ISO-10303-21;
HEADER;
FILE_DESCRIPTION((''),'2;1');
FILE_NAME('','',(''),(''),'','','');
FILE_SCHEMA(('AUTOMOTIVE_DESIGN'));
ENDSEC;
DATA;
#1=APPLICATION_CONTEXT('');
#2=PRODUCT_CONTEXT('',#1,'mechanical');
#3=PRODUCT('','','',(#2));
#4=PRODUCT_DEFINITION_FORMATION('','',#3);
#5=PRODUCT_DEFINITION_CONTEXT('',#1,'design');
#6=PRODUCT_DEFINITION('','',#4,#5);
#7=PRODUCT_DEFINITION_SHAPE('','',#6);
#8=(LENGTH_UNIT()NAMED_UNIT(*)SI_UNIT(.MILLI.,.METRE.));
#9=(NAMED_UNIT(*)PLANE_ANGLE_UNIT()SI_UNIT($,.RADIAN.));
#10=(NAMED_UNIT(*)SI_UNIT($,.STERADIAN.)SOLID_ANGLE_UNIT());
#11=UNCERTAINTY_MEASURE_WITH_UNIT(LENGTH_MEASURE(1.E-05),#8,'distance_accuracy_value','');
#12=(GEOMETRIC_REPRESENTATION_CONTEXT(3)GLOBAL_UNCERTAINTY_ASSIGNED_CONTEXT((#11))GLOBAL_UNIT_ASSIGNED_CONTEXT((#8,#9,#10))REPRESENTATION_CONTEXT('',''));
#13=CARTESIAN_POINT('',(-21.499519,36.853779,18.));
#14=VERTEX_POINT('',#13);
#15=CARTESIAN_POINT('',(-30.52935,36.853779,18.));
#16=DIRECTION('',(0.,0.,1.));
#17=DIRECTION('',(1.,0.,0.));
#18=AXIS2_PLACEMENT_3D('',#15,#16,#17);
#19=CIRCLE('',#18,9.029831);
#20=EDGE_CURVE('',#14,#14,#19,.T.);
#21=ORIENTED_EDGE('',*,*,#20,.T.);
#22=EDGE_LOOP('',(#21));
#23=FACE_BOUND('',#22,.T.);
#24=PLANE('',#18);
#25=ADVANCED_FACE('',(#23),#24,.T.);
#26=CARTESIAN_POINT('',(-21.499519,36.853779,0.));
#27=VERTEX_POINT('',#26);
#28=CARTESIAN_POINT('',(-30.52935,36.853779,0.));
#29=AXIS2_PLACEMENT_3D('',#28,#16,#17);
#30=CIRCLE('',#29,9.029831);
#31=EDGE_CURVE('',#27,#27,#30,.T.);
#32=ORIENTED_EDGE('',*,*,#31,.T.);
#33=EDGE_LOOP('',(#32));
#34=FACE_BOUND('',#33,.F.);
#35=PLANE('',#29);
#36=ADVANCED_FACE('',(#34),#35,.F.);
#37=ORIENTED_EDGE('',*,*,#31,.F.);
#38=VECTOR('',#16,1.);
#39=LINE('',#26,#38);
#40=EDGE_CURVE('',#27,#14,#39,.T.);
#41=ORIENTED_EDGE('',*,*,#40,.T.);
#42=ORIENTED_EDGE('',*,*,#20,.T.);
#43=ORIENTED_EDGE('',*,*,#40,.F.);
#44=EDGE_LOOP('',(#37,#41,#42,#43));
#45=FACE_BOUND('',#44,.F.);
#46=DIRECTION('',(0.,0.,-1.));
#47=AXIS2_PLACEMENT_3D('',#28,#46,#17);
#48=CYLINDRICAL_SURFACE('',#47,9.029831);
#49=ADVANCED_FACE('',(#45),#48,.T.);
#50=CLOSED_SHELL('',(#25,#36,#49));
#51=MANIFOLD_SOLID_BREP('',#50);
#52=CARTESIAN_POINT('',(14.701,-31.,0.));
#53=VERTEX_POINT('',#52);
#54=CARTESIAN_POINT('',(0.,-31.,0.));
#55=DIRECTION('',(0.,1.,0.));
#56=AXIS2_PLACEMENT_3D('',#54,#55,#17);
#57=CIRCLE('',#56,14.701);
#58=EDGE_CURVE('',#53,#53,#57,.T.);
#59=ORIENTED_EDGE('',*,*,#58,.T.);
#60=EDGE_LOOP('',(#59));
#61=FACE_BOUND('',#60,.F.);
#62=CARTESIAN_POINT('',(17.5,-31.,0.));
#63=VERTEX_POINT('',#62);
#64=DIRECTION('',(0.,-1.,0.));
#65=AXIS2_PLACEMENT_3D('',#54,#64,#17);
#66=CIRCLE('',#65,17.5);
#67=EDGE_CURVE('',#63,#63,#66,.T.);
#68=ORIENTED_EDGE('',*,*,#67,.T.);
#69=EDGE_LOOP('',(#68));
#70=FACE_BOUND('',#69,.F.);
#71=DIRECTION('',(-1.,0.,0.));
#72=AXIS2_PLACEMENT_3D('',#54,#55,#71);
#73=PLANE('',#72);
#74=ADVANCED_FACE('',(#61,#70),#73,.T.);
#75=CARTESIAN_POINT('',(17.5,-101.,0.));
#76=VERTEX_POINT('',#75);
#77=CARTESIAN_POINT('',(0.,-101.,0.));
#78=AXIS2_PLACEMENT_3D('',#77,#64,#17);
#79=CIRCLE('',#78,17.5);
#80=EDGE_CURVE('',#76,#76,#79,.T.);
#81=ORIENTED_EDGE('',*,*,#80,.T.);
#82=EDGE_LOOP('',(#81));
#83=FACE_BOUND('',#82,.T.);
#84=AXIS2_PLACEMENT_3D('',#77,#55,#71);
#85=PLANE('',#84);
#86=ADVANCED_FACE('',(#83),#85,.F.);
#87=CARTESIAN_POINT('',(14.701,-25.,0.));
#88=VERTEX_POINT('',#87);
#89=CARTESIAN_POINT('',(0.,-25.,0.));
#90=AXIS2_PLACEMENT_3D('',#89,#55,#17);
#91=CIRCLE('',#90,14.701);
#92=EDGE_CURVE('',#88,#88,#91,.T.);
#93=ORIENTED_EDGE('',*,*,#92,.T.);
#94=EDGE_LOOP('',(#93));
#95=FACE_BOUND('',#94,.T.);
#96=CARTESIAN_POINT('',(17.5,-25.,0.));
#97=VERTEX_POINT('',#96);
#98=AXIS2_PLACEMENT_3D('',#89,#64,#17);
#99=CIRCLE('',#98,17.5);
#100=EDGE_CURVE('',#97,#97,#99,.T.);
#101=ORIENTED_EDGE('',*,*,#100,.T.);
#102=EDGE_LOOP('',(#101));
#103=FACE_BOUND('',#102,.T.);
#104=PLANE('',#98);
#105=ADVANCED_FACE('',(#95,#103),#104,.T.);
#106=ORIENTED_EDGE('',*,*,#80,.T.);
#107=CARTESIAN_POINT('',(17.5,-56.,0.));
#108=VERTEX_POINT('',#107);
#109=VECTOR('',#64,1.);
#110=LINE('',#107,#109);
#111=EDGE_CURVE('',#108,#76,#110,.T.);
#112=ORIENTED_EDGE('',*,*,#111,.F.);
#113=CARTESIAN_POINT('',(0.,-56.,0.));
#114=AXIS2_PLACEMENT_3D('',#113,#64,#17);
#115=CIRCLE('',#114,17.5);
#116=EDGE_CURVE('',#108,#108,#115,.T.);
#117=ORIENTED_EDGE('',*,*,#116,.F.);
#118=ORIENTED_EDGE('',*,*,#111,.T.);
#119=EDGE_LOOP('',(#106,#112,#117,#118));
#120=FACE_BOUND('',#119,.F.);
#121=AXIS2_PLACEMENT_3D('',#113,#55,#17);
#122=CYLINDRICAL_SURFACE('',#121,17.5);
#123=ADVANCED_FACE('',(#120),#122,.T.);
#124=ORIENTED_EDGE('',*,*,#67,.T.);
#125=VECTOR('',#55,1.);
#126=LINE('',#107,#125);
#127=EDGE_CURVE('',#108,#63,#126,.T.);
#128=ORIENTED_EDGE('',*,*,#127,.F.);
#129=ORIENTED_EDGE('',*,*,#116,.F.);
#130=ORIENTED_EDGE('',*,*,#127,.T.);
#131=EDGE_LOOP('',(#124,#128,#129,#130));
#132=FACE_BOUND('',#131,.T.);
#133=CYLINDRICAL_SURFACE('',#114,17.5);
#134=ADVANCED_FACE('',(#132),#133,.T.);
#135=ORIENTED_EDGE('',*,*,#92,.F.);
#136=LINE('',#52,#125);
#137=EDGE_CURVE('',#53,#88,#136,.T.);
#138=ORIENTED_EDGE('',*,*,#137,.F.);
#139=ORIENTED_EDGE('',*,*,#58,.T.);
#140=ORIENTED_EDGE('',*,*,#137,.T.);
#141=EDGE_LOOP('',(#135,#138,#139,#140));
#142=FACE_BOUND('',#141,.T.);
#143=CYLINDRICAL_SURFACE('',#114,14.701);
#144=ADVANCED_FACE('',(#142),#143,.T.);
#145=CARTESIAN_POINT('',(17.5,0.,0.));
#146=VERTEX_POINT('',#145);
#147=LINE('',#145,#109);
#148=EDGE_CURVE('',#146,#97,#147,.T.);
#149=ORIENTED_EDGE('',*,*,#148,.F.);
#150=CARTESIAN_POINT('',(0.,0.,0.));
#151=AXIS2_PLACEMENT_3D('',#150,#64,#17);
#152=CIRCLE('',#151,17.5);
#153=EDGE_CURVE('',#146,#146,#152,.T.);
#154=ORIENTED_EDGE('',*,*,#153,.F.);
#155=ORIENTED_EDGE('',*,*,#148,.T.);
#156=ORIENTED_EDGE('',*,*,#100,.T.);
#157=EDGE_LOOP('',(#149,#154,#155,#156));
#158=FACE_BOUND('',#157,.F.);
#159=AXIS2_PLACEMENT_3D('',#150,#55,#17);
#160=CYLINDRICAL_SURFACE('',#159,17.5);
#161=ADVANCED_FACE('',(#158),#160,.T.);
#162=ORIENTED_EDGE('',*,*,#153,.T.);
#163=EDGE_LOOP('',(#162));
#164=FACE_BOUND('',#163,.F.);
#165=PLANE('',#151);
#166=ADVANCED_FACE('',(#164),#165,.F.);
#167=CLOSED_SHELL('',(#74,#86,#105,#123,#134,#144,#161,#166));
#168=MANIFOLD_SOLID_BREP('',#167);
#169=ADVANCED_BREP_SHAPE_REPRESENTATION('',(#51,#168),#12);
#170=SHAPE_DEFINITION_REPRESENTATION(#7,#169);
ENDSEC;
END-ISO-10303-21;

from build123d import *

# Parameters (mm, degrees)
F0_R     = 17.5
F1_DEPTH = 25
F2_R     = 14.701
F3_DEPTH = 28
F5_DEPTH = 45
F6_R     = 9.0298312591
F7_DEPTH = 18


with BuildPart() as f1:
    # F0 (on Front) → F1 (new body)
    with BuildSketch(Plane.XZ):
        Circle(F0_R)
    extrude(amount=F1_DEPTH)

    # F2 (on Front) → F3 (join)
    with BuildSketch(Plane.XZ):
        Circle(F2_R)
    extrude(amount=F3_DEPTH)

    # F4: F1 across face


with BuildPart() as f1_1:
    add(f1.part)
    add(f1.part.mirror(Plane.XZ.offset(28)))

    # F5 (add): a face of the model
    f5_faces = [f1_1.faces().sort_by_distance(p)[0] for p in [
        (0, -56, 0),
    ]]
    extrude(f5_faces, amount=F5_DEPTH)


with BuildPart() as f7:
    # F6 (on Top) → F7 (new body)
    with BuildSketch(Plane.XY):
        with Locations((-30.5293500423, 36.8537791073)):
            Circle(F6_R)
    extrude(amount=F7_DEPTH)


solid = Compound([f1_1.part, f7.part])
